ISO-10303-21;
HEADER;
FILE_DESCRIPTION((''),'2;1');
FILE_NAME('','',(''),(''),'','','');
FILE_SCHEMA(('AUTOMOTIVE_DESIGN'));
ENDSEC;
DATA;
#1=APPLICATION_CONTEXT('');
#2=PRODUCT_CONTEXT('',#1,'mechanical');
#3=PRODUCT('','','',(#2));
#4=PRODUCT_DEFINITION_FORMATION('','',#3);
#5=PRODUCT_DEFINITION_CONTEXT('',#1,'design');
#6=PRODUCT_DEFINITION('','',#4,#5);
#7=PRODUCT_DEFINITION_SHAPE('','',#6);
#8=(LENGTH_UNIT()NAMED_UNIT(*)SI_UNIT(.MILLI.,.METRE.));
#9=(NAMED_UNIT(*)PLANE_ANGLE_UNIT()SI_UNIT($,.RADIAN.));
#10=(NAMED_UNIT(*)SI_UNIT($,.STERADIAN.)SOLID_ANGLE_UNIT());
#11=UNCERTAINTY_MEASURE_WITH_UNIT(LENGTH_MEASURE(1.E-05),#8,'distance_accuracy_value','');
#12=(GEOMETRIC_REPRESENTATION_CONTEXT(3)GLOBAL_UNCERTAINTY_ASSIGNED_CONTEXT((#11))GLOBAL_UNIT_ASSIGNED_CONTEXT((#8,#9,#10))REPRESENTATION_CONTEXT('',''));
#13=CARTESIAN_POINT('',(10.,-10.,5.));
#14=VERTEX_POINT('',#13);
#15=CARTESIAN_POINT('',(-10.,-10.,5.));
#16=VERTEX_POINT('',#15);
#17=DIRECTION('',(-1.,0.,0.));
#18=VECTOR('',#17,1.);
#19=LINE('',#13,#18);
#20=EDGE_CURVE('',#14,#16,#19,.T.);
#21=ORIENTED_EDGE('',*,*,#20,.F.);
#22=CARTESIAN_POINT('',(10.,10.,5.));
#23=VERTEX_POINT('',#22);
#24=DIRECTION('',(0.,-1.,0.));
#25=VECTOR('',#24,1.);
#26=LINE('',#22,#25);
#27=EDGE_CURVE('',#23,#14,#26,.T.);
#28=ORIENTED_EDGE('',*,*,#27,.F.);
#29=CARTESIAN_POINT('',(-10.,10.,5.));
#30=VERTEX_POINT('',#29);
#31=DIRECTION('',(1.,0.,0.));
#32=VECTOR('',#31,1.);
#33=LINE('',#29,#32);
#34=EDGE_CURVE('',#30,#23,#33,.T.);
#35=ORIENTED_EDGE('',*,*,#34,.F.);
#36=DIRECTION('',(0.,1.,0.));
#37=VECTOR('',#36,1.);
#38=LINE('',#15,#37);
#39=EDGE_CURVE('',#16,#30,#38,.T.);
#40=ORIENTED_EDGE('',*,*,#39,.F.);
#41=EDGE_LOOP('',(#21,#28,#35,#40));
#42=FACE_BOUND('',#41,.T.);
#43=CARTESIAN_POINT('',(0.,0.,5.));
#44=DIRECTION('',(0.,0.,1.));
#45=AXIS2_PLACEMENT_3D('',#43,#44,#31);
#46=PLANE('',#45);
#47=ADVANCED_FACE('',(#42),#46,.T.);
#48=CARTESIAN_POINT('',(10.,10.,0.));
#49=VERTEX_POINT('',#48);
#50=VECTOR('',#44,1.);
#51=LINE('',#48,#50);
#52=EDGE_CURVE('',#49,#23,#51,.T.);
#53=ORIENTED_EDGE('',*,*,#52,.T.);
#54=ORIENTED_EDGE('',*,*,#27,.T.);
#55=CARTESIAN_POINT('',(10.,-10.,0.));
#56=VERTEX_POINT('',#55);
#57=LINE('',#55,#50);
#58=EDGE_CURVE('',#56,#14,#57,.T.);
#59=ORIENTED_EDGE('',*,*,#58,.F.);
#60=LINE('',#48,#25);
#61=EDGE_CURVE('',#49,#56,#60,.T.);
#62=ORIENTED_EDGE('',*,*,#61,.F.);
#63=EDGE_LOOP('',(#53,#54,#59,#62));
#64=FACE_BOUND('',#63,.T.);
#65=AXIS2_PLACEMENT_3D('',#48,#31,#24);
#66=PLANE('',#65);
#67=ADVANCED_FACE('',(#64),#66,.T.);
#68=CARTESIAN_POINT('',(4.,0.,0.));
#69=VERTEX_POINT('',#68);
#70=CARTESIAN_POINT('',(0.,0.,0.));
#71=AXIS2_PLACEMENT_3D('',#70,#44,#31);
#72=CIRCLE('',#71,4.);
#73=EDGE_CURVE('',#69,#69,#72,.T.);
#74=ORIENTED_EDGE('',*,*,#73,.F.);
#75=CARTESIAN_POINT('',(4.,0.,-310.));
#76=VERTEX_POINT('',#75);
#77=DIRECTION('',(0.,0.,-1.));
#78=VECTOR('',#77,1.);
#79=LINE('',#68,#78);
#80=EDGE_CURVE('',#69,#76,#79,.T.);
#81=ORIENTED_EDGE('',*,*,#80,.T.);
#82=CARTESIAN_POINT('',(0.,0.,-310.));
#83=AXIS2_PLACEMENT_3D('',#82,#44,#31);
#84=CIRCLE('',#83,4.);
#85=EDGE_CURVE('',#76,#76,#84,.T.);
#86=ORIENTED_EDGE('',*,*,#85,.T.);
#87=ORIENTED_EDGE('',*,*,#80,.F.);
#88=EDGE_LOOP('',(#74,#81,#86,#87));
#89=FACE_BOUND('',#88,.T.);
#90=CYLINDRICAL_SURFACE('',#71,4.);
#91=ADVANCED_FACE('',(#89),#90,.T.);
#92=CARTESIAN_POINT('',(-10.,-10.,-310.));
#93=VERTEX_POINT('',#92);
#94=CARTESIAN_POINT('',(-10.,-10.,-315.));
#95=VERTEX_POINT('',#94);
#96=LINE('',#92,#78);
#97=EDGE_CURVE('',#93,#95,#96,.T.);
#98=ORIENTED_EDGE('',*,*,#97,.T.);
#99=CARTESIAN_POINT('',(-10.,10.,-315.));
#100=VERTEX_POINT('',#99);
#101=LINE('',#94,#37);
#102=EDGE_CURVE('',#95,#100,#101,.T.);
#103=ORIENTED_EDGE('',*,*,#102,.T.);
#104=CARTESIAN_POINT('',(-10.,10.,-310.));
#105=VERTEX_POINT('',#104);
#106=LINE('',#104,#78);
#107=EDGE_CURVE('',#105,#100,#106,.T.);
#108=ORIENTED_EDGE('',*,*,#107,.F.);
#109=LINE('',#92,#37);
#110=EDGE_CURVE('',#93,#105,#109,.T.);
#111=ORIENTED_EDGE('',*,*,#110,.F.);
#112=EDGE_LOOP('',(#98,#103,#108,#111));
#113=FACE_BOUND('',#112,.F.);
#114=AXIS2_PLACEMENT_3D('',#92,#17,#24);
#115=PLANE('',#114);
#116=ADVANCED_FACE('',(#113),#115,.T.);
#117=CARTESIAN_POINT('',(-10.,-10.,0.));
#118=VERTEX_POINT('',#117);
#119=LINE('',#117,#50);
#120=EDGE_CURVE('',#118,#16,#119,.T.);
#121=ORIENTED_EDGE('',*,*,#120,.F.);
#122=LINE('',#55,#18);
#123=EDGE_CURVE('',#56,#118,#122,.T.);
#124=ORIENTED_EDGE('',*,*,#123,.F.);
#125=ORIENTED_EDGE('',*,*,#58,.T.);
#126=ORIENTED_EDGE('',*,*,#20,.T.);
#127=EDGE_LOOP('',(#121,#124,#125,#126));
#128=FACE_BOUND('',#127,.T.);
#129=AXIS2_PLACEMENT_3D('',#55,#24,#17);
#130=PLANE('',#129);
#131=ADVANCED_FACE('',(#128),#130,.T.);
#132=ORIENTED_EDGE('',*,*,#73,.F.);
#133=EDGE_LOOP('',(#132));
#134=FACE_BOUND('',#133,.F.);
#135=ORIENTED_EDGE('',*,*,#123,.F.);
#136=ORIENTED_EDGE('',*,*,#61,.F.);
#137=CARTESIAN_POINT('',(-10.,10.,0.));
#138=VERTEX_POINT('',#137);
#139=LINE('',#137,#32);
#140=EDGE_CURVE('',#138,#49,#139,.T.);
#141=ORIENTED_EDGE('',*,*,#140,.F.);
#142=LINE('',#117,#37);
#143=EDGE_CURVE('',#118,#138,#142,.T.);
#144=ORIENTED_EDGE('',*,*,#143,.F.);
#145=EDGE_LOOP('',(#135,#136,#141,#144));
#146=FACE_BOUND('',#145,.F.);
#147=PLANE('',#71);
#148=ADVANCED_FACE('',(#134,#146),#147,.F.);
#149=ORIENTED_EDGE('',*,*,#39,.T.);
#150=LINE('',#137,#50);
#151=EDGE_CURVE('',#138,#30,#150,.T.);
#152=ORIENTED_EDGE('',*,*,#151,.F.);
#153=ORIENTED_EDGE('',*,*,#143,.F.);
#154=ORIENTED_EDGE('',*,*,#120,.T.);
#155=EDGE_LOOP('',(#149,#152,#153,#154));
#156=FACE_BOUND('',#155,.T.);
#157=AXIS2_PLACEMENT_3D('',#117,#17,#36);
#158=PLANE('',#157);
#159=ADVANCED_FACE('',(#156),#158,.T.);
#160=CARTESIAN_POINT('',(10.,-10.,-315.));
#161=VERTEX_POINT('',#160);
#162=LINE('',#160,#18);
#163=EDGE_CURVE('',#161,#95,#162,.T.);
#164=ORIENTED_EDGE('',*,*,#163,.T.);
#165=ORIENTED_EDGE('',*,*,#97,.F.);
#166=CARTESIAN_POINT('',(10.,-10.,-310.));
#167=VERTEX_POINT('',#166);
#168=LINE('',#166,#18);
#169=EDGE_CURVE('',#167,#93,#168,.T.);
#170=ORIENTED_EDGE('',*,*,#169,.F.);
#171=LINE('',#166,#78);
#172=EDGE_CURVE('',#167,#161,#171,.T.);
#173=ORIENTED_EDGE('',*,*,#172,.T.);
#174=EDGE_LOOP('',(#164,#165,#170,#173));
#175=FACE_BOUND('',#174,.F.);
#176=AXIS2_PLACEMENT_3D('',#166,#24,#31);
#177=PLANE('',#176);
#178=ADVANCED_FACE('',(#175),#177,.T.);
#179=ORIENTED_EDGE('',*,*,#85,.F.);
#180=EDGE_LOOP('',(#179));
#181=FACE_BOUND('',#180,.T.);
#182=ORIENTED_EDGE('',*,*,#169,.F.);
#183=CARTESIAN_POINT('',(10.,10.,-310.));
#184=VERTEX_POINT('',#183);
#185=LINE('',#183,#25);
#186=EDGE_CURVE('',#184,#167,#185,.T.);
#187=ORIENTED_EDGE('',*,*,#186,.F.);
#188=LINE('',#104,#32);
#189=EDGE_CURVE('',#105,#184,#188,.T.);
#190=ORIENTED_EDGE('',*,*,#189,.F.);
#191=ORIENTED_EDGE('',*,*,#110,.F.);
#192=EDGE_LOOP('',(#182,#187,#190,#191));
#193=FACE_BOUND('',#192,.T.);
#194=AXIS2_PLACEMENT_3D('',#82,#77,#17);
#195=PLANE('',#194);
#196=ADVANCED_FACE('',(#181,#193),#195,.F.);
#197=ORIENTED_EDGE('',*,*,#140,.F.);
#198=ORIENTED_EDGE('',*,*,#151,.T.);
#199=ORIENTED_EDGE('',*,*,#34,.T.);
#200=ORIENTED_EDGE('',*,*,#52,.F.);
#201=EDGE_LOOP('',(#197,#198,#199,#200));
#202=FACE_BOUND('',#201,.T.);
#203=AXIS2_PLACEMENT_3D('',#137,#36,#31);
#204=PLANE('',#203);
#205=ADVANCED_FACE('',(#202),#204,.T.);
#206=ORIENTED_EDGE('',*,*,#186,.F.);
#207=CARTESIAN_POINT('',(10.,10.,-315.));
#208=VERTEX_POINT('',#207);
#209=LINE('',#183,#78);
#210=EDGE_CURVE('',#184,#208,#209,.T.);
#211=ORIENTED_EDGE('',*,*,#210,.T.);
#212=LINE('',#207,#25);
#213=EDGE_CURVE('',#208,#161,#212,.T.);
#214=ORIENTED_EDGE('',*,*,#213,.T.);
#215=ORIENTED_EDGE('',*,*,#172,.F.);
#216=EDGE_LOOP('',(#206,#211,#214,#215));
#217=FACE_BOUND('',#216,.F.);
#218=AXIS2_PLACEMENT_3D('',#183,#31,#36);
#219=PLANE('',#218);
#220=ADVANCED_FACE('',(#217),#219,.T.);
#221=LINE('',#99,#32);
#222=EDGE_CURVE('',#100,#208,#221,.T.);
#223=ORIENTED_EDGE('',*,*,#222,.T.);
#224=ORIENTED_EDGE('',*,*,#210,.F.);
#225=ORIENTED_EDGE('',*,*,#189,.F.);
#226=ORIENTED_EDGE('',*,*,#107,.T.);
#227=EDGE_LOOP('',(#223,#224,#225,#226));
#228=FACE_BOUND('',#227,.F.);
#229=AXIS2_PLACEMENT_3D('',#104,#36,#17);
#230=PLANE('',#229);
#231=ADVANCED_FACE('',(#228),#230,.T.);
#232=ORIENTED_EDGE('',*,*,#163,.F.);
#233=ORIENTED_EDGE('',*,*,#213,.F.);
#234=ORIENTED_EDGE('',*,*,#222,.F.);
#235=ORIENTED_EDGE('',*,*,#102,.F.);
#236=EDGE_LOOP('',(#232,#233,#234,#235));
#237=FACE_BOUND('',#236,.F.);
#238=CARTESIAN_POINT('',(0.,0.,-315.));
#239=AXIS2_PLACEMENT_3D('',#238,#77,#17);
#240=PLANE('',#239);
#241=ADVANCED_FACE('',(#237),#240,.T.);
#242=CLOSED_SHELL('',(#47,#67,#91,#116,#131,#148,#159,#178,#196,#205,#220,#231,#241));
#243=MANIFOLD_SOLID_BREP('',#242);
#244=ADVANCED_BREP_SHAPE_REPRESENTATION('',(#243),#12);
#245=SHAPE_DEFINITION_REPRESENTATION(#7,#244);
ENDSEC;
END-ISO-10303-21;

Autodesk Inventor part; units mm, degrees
ref_plane "YZ Plane" through (0, 0, 0) normal (1, 0, 0) x (0, 1, 0)
ref_plane "XZ Plane" through (0, 0, 0) normal (0, 1, 0) x (-1, 0, 0)
sketch "Sketch1" plane through (0, 0, 0) normal (0, 0, 1) x (1, 0, 0)
  circle A0 centre (0, 0) radius 4
  dimension "d0" = 8
extrude "Extrusion1" add sketch "Sketch1" against normal blind 310
sketch "Sketch2" plane through (0, 0, 0) normal (0, 0, 1) x (1, 0, 0)
  line L0 (-10, 10) -> (10, 10)
  line L1 (10, 10) -> (10, -10)
  line L2 (10, -10) -> (-10, -10)
  line L3 (-10, -10) -> (-10, 10)
  line L4 (-10, 10) -> (10, -10) construction
  line L5 (10, 10) -> (-10, -10) construction
  point P0 (0, 0)
  dimension "d3" = 20
extrude "Extrusion2" add sketch "Sketch2" along normal blind 5
ref_plane "Work Plane1" through (0, 0, -155) normal (0, 0, -1) x (-1, 0, 0)
mirror "Mirror1" about plane through (0, 0, -155) normal (0, 0, -1) of "Extrusion2"
properties part number "front axle" material "Steel, Mild"
